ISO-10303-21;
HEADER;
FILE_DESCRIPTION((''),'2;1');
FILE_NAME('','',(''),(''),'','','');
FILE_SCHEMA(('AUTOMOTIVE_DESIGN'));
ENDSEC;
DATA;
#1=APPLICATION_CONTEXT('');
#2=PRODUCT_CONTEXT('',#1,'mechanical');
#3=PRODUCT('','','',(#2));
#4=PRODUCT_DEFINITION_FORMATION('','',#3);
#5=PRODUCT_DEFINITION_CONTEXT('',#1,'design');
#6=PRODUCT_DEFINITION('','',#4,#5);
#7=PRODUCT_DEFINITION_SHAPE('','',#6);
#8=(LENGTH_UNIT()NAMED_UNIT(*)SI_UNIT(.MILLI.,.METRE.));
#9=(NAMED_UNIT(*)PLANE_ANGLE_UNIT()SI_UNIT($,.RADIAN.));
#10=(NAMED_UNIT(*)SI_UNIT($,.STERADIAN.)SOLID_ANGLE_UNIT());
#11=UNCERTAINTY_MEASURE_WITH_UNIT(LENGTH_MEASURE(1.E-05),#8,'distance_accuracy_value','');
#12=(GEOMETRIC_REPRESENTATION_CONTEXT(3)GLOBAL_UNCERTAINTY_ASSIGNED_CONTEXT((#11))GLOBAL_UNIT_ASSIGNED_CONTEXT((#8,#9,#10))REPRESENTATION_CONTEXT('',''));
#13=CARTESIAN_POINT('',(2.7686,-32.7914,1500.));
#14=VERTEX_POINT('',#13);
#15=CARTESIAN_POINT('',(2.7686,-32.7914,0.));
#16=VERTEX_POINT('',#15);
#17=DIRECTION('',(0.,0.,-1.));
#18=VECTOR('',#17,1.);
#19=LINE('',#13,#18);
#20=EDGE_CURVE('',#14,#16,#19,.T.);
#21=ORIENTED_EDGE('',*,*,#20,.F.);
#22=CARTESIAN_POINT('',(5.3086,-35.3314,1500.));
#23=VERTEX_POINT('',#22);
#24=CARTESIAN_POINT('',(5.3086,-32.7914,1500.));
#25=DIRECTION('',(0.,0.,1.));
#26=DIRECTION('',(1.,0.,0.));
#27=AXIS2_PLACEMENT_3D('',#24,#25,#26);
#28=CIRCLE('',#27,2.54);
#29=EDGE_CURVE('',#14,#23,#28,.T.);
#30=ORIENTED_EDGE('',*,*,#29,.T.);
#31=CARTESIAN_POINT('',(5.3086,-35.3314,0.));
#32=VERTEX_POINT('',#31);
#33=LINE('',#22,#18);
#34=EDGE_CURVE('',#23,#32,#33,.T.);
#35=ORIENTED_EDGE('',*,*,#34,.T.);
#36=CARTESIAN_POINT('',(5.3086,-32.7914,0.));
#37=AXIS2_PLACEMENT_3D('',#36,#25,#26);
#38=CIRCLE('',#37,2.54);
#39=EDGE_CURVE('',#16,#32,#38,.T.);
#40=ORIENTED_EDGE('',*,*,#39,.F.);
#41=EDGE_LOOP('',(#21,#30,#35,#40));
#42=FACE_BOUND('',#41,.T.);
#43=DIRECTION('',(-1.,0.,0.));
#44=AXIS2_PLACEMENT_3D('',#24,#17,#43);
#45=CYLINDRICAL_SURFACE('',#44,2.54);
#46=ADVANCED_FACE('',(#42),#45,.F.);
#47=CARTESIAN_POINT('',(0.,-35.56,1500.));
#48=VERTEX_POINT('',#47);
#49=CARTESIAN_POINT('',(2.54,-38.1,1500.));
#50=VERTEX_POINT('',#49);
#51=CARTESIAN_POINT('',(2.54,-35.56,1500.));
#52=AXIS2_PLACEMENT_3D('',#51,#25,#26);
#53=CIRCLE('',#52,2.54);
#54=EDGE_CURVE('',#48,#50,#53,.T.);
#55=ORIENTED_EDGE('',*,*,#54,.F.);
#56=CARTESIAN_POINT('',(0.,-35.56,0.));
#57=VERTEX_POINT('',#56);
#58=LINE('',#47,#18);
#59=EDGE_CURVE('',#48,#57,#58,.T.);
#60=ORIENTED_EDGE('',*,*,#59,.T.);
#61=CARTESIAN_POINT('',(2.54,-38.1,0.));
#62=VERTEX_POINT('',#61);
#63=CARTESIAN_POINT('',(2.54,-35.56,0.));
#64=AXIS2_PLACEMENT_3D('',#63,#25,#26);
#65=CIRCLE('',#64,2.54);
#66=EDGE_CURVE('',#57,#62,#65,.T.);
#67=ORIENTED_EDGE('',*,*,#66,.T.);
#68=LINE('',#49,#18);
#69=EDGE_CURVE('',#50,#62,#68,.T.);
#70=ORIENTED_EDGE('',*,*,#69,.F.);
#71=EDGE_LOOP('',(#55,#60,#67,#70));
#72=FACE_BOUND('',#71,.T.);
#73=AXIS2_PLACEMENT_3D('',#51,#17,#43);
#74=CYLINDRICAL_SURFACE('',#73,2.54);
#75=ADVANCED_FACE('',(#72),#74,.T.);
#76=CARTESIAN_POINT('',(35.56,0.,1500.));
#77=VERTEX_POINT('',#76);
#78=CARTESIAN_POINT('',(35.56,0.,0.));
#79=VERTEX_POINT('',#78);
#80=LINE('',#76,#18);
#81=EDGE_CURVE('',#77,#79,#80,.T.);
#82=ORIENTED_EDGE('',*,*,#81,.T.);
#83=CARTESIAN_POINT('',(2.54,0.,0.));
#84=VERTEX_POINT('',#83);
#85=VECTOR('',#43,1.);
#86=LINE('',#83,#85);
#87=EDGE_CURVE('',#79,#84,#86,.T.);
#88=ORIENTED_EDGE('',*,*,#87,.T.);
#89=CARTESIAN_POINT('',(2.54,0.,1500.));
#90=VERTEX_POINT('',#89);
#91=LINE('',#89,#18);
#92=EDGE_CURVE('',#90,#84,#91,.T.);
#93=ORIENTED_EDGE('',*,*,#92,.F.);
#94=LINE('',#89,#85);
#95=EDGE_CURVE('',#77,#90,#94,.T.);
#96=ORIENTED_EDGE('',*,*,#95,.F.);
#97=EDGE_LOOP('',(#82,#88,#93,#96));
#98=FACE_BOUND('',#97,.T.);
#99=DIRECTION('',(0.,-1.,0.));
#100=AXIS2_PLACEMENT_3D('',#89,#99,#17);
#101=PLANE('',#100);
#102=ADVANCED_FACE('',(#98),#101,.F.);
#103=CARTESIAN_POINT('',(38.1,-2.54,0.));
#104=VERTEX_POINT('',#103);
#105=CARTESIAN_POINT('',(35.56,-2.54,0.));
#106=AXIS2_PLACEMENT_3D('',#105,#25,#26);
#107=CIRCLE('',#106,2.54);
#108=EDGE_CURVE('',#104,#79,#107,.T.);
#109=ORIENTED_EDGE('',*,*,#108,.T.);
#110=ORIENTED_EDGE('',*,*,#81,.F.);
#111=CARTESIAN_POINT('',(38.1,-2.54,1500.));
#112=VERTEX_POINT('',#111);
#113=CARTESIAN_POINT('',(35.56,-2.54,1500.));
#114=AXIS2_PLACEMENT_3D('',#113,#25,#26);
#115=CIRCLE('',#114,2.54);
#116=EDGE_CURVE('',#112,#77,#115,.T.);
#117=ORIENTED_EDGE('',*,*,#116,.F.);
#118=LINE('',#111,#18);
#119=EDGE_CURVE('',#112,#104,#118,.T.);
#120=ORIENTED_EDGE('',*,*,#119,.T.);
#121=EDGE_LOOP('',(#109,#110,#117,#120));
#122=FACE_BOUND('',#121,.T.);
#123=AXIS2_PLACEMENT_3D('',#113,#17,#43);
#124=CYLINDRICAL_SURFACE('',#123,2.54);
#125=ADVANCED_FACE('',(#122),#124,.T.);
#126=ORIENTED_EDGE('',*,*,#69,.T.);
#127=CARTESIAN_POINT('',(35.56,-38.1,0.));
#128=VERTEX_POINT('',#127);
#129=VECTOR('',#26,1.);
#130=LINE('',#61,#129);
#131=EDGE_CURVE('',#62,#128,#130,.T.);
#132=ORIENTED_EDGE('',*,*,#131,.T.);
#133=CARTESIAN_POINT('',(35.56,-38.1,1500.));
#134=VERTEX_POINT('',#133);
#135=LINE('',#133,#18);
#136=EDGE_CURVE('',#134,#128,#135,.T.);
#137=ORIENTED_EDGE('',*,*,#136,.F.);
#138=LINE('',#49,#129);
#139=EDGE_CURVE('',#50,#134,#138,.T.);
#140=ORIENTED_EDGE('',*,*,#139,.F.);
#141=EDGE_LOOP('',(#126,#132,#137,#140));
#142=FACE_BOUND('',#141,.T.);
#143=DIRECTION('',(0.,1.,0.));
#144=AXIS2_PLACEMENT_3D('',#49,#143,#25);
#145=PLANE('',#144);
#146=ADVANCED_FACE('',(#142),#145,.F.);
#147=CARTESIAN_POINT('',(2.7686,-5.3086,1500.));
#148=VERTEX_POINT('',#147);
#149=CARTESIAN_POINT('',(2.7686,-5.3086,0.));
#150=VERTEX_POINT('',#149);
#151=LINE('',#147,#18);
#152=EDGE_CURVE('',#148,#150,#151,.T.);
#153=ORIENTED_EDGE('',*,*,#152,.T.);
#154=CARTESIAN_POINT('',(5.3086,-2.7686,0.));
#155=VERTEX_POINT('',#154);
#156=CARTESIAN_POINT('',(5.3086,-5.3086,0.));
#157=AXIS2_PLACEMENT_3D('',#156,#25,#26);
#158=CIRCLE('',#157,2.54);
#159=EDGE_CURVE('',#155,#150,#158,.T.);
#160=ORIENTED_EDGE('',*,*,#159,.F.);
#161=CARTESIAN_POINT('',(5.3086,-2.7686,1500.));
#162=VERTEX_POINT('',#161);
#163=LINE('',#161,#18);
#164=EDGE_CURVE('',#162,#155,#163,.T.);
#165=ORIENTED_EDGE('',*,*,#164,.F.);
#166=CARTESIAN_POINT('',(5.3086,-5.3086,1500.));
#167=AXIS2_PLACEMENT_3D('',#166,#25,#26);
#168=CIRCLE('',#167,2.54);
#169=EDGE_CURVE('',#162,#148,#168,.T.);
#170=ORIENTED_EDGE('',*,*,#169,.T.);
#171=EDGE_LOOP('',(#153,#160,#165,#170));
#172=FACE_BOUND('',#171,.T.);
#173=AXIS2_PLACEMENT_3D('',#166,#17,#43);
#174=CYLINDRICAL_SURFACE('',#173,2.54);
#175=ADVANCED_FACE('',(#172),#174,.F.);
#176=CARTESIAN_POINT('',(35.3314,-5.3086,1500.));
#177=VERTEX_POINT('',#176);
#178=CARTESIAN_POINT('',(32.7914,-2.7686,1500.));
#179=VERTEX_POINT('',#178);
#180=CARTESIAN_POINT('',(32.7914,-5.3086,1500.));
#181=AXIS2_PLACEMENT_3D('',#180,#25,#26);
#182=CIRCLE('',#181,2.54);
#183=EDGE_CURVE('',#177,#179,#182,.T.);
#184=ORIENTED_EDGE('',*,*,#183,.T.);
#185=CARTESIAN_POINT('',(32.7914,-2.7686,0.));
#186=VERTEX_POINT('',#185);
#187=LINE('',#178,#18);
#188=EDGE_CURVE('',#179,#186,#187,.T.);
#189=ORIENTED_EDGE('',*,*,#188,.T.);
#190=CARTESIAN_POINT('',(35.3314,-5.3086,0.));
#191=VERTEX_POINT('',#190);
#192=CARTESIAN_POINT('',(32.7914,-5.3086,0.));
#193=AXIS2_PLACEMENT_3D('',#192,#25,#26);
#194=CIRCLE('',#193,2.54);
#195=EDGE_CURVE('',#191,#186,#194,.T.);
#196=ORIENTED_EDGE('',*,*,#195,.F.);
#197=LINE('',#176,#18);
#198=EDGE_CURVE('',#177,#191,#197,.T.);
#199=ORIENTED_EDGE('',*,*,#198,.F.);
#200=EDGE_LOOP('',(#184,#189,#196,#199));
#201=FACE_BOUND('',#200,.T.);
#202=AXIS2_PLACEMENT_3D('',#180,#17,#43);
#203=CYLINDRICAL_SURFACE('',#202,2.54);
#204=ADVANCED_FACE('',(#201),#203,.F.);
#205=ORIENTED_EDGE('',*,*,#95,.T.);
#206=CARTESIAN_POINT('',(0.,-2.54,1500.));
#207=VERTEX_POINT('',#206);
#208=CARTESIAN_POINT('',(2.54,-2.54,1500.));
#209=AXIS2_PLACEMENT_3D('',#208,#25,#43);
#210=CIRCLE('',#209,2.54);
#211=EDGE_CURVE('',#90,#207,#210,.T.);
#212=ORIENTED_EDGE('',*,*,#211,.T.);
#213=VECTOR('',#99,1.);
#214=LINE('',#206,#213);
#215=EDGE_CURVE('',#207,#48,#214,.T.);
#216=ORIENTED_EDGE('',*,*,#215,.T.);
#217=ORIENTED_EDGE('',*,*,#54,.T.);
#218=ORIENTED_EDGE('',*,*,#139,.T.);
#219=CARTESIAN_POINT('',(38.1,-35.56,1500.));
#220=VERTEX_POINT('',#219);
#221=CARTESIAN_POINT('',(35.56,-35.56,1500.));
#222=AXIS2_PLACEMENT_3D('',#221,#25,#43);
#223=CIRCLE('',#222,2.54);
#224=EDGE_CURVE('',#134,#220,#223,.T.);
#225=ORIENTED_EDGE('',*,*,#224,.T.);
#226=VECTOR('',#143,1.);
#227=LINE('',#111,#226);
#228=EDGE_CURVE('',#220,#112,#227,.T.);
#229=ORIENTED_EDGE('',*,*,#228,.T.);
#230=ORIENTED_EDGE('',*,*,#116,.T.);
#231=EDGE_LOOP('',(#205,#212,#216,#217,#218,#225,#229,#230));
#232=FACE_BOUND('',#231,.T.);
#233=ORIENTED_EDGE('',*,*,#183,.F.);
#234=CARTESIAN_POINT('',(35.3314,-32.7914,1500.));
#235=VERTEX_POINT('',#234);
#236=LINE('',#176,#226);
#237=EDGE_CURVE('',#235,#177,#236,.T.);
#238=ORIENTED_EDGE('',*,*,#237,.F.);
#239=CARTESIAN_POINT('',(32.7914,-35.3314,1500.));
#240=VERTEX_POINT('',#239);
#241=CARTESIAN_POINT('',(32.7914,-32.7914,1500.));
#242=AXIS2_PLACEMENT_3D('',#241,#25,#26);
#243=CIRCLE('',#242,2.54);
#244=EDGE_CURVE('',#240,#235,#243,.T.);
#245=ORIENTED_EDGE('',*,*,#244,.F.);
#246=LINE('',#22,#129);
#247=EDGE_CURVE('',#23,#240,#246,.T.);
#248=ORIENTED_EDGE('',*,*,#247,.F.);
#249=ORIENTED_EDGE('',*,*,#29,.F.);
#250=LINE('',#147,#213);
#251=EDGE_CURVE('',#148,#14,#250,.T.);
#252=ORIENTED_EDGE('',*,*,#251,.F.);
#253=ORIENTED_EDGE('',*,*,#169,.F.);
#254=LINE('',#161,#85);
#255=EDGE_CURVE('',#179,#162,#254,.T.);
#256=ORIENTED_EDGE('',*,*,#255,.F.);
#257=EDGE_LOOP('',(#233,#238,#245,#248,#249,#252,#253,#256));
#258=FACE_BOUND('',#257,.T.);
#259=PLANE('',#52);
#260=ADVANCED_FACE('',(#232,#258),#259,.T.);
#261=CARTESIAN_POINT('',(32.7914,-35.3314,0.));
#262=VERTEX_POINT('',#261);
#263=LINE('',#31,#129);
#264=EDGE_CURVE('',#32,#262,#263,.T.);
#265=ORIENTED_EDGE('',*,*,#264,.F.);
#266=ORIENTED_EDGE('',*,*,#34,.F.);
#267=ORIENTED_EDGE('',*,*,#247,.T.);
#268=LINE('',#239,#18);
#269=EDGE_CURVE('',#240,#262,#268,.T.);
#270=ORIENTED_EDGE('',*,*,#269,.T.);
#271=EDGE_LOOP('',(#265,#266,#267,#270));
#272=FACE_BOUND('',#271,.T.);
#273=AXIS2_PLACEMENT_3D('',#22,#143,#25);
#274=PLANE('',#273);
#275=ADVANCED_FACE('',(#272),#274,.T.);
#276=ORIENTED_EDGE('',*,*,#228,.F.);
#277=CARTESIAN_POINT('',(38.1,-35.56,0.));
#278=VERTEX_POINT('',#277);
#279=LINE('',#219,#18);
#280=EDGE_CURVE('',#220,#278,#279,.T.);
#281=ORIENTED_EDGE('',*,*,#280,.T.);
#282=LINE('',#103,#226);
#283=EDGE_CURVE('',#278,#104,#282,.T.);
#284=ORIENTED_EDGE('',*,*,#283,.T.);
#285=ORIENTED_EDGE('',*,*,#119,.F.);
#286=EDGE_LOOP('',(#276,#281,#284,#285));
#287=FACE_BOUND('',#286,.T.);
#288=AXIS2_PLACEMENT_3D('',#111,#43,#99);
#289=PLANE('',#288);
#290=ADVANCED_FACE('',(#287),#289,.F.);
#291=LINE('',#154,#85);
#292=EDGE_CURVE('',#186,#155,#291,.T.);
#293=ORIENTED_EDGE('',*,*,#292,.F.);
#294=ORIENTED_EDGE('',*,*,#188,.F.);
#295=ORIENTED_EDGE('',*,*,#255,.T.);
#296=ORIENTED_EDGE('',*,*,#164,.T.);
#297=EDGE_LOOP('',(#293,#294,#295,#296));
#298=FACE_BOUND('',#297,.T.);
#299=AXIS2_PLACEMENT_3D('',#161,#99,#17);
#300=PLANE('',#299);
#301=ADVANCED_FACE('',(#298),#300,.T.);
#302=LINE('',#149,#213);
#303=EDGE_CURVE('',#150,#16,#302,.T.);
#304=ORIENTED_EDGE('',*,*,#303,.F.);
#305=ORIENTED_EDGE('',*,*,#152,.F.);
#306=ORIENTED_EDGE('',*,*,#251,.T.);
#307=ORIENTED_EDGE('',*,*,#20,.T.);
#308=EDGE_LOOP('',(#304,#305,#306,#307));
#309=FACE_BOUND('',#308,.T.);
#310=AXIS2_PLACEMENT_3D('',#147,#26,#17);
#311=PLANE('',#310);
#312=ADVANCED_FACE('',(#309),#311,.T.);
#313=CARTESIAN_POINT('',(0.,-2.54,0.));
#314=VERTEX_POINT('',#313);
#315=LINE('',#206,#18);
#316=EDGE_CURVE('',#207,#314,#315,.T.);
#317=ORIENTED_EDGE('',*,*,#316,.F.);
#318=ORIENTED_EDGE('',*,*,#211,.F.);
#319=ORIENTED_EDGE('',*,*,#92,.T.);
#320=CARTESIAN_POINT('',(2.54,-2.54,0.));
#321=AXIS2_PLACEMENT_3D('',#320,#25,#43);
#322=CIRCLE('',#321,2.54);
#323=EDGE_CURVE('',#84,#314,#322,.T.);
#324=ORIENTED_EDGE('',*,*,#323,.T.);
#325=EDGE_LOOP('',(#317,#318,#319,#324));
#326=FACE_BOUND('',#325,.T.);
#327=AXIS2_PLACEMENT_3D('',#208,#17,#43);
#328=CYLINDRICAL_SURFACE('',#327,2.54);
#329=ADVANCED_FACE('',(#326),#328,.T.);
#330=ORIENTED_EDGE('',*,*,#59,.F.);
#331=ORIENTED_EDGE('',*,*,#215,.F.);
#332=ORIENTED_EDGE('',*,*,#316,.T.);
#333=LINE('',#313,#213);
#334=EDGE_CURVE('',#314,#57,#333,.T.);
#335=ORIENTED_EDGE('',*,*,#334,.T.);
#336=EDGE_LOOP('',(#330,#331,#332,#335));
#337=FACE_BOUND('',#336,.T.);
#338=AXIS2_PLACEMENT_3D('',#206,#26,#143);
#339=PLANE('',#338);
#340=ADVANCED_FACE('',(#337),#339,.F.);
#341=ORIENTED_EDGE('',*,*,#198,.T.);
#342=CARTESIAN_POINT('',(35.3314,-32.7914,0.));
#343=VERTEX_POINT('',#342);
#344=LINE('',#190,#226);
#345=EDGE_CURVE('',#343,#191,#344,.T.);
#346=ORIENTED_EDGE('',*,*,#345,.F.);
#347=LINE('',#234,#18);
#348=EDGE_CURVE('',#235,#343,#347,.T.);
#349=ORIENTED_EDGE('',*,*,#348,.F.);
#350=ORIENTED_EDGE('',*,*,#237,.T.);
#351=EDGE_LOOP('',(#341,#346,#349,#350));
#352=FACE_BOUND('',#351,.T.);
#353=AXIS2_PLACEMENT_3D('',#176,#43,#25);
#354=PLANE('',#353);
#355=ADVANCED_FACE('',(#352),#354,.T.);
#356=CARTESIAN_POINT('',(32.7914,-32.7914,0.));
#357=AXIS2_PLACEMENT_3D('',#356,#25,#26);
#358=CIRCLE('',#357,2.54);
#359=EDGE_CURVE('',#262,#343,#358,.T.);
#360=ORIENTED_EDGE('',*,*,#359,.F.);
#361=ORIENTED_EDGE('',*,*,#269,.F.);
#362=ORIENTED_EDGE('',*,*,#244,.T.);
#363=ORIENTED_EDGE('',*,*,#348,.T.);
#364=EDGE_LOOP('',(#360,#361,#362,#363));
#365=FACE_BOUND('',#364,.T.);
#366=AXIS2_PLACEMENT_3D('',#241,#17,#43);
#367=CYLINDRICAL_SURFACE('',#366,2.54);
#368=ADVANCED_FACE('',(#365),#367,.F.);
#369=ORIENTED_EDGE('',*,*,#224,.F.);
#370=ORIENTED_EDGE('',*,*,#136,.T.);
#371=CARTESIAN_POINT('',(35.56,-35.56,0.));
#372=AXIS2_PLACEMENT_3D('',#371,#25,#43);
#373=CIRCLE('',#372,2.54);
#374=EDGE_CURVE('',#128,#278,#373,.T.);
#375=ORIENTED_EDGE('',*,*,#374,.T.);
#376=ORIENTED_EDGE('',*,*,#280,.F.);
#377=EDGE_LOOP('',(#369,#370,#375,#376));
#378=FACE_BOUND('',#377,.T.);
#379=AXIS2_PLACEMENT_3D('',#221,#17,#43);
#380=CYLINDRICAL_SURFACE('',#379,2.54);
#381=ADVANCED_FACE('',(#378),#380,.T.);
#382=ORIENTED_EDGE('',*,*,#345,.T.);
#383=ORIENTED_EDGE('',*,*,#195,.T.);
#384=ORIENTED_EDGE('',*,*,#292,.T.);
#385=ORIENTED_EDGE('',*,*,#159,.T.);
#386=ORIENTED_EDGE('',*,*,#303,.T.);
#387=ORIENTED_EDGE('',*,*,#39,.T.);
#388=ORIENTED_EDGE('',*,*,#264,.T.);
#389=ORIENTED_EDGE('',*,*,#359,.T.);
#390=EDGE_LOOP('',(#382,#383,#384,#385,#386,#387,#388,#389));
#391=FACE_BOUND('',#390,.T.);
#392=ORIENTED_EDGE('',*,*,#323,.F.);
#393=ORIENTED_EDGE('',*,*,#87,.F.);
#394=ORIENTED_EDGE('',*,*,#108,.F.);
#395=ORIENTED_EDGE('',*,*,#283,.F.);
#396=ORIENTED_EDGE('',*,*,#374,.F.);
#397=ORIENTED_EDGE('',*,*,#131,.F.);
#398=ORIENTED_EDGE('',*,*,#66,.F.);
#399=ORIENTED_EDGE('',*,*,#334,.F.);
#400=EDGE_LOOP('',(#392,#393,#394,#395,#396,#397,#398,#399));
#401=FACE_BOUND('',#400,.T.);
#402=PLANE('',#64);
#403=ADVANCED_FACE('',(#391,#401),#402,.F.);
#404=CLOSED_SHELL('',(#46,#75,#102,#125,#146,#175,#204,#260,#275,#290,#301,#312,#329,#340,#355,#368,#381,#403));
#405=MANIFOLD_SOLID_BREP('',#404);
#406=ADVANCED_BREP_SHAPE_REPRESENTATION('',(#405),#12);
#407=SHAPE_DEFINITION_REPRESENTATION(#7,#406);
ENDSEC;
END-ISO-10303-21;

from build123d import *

# Parameters (mm, degrees)
BOSS_EXTRUDE1_DEPTH = 1500


with BuildPart() as part:
    # Sketch1 → Boss-Extrude1 (new body)
    with BuildSketch(Plane.XY):
        with BuildLine():
            Line((2.54, 0), (35.56, 0))
            ThreePointArc((35.56, 0), (37.356051224, -0.743948776), (38.1, -2.54))
            Line((38.1, -2.54), (38.1, -35.56))
            ThreePointArc((38.1, -35.56), (37.356051224, -37.356051224), (35.56, -38.1))
            Line((35.56, -38.1), (2.54, -38.1))
            ThreePointArc((2.54, -38.1), (0.743948776, -37.356051224), (0, -35.56))
            Line((0, -35.56), (0, -2.54))
            ThreePointArc((0, -2.54), (0.743948776, -0.743948776), (2.54, 0))
        make_face()
        with BuildLine():
            Line((5.3086, -2.7686), (32.7914, -2.7686))
            ThreePointArc((32.7914, -2.7686), (34.587451224, -3.512548776), (35.3314, -5.3086))
            Line((35.3314, -5.3086), (35.3314, -32.7914))
            ThreePointArc((35.3314, -32.7914), (34.587451224, -34.587451224), (32.7914, -35.3314))
            Line((32.7914, -35.3314), (5.3086, -35.3314))
            ThreePointArc((5.3086, -35.3314), (3.512548776, -34.587451224), (2.7686, -32.7914))
            Line((2.7686, -32.7914), (2.7686, -5.3086))
            ThreePointArc((2.7686, -5.3086), (3.512548776, -3.512548776), (5.3086, -2.7686))
        make_face(mode=Mode.SUBTRACT)
    extrude(amount=BOSS_EXTRUDE1_DEPTH)


solid = part.part
